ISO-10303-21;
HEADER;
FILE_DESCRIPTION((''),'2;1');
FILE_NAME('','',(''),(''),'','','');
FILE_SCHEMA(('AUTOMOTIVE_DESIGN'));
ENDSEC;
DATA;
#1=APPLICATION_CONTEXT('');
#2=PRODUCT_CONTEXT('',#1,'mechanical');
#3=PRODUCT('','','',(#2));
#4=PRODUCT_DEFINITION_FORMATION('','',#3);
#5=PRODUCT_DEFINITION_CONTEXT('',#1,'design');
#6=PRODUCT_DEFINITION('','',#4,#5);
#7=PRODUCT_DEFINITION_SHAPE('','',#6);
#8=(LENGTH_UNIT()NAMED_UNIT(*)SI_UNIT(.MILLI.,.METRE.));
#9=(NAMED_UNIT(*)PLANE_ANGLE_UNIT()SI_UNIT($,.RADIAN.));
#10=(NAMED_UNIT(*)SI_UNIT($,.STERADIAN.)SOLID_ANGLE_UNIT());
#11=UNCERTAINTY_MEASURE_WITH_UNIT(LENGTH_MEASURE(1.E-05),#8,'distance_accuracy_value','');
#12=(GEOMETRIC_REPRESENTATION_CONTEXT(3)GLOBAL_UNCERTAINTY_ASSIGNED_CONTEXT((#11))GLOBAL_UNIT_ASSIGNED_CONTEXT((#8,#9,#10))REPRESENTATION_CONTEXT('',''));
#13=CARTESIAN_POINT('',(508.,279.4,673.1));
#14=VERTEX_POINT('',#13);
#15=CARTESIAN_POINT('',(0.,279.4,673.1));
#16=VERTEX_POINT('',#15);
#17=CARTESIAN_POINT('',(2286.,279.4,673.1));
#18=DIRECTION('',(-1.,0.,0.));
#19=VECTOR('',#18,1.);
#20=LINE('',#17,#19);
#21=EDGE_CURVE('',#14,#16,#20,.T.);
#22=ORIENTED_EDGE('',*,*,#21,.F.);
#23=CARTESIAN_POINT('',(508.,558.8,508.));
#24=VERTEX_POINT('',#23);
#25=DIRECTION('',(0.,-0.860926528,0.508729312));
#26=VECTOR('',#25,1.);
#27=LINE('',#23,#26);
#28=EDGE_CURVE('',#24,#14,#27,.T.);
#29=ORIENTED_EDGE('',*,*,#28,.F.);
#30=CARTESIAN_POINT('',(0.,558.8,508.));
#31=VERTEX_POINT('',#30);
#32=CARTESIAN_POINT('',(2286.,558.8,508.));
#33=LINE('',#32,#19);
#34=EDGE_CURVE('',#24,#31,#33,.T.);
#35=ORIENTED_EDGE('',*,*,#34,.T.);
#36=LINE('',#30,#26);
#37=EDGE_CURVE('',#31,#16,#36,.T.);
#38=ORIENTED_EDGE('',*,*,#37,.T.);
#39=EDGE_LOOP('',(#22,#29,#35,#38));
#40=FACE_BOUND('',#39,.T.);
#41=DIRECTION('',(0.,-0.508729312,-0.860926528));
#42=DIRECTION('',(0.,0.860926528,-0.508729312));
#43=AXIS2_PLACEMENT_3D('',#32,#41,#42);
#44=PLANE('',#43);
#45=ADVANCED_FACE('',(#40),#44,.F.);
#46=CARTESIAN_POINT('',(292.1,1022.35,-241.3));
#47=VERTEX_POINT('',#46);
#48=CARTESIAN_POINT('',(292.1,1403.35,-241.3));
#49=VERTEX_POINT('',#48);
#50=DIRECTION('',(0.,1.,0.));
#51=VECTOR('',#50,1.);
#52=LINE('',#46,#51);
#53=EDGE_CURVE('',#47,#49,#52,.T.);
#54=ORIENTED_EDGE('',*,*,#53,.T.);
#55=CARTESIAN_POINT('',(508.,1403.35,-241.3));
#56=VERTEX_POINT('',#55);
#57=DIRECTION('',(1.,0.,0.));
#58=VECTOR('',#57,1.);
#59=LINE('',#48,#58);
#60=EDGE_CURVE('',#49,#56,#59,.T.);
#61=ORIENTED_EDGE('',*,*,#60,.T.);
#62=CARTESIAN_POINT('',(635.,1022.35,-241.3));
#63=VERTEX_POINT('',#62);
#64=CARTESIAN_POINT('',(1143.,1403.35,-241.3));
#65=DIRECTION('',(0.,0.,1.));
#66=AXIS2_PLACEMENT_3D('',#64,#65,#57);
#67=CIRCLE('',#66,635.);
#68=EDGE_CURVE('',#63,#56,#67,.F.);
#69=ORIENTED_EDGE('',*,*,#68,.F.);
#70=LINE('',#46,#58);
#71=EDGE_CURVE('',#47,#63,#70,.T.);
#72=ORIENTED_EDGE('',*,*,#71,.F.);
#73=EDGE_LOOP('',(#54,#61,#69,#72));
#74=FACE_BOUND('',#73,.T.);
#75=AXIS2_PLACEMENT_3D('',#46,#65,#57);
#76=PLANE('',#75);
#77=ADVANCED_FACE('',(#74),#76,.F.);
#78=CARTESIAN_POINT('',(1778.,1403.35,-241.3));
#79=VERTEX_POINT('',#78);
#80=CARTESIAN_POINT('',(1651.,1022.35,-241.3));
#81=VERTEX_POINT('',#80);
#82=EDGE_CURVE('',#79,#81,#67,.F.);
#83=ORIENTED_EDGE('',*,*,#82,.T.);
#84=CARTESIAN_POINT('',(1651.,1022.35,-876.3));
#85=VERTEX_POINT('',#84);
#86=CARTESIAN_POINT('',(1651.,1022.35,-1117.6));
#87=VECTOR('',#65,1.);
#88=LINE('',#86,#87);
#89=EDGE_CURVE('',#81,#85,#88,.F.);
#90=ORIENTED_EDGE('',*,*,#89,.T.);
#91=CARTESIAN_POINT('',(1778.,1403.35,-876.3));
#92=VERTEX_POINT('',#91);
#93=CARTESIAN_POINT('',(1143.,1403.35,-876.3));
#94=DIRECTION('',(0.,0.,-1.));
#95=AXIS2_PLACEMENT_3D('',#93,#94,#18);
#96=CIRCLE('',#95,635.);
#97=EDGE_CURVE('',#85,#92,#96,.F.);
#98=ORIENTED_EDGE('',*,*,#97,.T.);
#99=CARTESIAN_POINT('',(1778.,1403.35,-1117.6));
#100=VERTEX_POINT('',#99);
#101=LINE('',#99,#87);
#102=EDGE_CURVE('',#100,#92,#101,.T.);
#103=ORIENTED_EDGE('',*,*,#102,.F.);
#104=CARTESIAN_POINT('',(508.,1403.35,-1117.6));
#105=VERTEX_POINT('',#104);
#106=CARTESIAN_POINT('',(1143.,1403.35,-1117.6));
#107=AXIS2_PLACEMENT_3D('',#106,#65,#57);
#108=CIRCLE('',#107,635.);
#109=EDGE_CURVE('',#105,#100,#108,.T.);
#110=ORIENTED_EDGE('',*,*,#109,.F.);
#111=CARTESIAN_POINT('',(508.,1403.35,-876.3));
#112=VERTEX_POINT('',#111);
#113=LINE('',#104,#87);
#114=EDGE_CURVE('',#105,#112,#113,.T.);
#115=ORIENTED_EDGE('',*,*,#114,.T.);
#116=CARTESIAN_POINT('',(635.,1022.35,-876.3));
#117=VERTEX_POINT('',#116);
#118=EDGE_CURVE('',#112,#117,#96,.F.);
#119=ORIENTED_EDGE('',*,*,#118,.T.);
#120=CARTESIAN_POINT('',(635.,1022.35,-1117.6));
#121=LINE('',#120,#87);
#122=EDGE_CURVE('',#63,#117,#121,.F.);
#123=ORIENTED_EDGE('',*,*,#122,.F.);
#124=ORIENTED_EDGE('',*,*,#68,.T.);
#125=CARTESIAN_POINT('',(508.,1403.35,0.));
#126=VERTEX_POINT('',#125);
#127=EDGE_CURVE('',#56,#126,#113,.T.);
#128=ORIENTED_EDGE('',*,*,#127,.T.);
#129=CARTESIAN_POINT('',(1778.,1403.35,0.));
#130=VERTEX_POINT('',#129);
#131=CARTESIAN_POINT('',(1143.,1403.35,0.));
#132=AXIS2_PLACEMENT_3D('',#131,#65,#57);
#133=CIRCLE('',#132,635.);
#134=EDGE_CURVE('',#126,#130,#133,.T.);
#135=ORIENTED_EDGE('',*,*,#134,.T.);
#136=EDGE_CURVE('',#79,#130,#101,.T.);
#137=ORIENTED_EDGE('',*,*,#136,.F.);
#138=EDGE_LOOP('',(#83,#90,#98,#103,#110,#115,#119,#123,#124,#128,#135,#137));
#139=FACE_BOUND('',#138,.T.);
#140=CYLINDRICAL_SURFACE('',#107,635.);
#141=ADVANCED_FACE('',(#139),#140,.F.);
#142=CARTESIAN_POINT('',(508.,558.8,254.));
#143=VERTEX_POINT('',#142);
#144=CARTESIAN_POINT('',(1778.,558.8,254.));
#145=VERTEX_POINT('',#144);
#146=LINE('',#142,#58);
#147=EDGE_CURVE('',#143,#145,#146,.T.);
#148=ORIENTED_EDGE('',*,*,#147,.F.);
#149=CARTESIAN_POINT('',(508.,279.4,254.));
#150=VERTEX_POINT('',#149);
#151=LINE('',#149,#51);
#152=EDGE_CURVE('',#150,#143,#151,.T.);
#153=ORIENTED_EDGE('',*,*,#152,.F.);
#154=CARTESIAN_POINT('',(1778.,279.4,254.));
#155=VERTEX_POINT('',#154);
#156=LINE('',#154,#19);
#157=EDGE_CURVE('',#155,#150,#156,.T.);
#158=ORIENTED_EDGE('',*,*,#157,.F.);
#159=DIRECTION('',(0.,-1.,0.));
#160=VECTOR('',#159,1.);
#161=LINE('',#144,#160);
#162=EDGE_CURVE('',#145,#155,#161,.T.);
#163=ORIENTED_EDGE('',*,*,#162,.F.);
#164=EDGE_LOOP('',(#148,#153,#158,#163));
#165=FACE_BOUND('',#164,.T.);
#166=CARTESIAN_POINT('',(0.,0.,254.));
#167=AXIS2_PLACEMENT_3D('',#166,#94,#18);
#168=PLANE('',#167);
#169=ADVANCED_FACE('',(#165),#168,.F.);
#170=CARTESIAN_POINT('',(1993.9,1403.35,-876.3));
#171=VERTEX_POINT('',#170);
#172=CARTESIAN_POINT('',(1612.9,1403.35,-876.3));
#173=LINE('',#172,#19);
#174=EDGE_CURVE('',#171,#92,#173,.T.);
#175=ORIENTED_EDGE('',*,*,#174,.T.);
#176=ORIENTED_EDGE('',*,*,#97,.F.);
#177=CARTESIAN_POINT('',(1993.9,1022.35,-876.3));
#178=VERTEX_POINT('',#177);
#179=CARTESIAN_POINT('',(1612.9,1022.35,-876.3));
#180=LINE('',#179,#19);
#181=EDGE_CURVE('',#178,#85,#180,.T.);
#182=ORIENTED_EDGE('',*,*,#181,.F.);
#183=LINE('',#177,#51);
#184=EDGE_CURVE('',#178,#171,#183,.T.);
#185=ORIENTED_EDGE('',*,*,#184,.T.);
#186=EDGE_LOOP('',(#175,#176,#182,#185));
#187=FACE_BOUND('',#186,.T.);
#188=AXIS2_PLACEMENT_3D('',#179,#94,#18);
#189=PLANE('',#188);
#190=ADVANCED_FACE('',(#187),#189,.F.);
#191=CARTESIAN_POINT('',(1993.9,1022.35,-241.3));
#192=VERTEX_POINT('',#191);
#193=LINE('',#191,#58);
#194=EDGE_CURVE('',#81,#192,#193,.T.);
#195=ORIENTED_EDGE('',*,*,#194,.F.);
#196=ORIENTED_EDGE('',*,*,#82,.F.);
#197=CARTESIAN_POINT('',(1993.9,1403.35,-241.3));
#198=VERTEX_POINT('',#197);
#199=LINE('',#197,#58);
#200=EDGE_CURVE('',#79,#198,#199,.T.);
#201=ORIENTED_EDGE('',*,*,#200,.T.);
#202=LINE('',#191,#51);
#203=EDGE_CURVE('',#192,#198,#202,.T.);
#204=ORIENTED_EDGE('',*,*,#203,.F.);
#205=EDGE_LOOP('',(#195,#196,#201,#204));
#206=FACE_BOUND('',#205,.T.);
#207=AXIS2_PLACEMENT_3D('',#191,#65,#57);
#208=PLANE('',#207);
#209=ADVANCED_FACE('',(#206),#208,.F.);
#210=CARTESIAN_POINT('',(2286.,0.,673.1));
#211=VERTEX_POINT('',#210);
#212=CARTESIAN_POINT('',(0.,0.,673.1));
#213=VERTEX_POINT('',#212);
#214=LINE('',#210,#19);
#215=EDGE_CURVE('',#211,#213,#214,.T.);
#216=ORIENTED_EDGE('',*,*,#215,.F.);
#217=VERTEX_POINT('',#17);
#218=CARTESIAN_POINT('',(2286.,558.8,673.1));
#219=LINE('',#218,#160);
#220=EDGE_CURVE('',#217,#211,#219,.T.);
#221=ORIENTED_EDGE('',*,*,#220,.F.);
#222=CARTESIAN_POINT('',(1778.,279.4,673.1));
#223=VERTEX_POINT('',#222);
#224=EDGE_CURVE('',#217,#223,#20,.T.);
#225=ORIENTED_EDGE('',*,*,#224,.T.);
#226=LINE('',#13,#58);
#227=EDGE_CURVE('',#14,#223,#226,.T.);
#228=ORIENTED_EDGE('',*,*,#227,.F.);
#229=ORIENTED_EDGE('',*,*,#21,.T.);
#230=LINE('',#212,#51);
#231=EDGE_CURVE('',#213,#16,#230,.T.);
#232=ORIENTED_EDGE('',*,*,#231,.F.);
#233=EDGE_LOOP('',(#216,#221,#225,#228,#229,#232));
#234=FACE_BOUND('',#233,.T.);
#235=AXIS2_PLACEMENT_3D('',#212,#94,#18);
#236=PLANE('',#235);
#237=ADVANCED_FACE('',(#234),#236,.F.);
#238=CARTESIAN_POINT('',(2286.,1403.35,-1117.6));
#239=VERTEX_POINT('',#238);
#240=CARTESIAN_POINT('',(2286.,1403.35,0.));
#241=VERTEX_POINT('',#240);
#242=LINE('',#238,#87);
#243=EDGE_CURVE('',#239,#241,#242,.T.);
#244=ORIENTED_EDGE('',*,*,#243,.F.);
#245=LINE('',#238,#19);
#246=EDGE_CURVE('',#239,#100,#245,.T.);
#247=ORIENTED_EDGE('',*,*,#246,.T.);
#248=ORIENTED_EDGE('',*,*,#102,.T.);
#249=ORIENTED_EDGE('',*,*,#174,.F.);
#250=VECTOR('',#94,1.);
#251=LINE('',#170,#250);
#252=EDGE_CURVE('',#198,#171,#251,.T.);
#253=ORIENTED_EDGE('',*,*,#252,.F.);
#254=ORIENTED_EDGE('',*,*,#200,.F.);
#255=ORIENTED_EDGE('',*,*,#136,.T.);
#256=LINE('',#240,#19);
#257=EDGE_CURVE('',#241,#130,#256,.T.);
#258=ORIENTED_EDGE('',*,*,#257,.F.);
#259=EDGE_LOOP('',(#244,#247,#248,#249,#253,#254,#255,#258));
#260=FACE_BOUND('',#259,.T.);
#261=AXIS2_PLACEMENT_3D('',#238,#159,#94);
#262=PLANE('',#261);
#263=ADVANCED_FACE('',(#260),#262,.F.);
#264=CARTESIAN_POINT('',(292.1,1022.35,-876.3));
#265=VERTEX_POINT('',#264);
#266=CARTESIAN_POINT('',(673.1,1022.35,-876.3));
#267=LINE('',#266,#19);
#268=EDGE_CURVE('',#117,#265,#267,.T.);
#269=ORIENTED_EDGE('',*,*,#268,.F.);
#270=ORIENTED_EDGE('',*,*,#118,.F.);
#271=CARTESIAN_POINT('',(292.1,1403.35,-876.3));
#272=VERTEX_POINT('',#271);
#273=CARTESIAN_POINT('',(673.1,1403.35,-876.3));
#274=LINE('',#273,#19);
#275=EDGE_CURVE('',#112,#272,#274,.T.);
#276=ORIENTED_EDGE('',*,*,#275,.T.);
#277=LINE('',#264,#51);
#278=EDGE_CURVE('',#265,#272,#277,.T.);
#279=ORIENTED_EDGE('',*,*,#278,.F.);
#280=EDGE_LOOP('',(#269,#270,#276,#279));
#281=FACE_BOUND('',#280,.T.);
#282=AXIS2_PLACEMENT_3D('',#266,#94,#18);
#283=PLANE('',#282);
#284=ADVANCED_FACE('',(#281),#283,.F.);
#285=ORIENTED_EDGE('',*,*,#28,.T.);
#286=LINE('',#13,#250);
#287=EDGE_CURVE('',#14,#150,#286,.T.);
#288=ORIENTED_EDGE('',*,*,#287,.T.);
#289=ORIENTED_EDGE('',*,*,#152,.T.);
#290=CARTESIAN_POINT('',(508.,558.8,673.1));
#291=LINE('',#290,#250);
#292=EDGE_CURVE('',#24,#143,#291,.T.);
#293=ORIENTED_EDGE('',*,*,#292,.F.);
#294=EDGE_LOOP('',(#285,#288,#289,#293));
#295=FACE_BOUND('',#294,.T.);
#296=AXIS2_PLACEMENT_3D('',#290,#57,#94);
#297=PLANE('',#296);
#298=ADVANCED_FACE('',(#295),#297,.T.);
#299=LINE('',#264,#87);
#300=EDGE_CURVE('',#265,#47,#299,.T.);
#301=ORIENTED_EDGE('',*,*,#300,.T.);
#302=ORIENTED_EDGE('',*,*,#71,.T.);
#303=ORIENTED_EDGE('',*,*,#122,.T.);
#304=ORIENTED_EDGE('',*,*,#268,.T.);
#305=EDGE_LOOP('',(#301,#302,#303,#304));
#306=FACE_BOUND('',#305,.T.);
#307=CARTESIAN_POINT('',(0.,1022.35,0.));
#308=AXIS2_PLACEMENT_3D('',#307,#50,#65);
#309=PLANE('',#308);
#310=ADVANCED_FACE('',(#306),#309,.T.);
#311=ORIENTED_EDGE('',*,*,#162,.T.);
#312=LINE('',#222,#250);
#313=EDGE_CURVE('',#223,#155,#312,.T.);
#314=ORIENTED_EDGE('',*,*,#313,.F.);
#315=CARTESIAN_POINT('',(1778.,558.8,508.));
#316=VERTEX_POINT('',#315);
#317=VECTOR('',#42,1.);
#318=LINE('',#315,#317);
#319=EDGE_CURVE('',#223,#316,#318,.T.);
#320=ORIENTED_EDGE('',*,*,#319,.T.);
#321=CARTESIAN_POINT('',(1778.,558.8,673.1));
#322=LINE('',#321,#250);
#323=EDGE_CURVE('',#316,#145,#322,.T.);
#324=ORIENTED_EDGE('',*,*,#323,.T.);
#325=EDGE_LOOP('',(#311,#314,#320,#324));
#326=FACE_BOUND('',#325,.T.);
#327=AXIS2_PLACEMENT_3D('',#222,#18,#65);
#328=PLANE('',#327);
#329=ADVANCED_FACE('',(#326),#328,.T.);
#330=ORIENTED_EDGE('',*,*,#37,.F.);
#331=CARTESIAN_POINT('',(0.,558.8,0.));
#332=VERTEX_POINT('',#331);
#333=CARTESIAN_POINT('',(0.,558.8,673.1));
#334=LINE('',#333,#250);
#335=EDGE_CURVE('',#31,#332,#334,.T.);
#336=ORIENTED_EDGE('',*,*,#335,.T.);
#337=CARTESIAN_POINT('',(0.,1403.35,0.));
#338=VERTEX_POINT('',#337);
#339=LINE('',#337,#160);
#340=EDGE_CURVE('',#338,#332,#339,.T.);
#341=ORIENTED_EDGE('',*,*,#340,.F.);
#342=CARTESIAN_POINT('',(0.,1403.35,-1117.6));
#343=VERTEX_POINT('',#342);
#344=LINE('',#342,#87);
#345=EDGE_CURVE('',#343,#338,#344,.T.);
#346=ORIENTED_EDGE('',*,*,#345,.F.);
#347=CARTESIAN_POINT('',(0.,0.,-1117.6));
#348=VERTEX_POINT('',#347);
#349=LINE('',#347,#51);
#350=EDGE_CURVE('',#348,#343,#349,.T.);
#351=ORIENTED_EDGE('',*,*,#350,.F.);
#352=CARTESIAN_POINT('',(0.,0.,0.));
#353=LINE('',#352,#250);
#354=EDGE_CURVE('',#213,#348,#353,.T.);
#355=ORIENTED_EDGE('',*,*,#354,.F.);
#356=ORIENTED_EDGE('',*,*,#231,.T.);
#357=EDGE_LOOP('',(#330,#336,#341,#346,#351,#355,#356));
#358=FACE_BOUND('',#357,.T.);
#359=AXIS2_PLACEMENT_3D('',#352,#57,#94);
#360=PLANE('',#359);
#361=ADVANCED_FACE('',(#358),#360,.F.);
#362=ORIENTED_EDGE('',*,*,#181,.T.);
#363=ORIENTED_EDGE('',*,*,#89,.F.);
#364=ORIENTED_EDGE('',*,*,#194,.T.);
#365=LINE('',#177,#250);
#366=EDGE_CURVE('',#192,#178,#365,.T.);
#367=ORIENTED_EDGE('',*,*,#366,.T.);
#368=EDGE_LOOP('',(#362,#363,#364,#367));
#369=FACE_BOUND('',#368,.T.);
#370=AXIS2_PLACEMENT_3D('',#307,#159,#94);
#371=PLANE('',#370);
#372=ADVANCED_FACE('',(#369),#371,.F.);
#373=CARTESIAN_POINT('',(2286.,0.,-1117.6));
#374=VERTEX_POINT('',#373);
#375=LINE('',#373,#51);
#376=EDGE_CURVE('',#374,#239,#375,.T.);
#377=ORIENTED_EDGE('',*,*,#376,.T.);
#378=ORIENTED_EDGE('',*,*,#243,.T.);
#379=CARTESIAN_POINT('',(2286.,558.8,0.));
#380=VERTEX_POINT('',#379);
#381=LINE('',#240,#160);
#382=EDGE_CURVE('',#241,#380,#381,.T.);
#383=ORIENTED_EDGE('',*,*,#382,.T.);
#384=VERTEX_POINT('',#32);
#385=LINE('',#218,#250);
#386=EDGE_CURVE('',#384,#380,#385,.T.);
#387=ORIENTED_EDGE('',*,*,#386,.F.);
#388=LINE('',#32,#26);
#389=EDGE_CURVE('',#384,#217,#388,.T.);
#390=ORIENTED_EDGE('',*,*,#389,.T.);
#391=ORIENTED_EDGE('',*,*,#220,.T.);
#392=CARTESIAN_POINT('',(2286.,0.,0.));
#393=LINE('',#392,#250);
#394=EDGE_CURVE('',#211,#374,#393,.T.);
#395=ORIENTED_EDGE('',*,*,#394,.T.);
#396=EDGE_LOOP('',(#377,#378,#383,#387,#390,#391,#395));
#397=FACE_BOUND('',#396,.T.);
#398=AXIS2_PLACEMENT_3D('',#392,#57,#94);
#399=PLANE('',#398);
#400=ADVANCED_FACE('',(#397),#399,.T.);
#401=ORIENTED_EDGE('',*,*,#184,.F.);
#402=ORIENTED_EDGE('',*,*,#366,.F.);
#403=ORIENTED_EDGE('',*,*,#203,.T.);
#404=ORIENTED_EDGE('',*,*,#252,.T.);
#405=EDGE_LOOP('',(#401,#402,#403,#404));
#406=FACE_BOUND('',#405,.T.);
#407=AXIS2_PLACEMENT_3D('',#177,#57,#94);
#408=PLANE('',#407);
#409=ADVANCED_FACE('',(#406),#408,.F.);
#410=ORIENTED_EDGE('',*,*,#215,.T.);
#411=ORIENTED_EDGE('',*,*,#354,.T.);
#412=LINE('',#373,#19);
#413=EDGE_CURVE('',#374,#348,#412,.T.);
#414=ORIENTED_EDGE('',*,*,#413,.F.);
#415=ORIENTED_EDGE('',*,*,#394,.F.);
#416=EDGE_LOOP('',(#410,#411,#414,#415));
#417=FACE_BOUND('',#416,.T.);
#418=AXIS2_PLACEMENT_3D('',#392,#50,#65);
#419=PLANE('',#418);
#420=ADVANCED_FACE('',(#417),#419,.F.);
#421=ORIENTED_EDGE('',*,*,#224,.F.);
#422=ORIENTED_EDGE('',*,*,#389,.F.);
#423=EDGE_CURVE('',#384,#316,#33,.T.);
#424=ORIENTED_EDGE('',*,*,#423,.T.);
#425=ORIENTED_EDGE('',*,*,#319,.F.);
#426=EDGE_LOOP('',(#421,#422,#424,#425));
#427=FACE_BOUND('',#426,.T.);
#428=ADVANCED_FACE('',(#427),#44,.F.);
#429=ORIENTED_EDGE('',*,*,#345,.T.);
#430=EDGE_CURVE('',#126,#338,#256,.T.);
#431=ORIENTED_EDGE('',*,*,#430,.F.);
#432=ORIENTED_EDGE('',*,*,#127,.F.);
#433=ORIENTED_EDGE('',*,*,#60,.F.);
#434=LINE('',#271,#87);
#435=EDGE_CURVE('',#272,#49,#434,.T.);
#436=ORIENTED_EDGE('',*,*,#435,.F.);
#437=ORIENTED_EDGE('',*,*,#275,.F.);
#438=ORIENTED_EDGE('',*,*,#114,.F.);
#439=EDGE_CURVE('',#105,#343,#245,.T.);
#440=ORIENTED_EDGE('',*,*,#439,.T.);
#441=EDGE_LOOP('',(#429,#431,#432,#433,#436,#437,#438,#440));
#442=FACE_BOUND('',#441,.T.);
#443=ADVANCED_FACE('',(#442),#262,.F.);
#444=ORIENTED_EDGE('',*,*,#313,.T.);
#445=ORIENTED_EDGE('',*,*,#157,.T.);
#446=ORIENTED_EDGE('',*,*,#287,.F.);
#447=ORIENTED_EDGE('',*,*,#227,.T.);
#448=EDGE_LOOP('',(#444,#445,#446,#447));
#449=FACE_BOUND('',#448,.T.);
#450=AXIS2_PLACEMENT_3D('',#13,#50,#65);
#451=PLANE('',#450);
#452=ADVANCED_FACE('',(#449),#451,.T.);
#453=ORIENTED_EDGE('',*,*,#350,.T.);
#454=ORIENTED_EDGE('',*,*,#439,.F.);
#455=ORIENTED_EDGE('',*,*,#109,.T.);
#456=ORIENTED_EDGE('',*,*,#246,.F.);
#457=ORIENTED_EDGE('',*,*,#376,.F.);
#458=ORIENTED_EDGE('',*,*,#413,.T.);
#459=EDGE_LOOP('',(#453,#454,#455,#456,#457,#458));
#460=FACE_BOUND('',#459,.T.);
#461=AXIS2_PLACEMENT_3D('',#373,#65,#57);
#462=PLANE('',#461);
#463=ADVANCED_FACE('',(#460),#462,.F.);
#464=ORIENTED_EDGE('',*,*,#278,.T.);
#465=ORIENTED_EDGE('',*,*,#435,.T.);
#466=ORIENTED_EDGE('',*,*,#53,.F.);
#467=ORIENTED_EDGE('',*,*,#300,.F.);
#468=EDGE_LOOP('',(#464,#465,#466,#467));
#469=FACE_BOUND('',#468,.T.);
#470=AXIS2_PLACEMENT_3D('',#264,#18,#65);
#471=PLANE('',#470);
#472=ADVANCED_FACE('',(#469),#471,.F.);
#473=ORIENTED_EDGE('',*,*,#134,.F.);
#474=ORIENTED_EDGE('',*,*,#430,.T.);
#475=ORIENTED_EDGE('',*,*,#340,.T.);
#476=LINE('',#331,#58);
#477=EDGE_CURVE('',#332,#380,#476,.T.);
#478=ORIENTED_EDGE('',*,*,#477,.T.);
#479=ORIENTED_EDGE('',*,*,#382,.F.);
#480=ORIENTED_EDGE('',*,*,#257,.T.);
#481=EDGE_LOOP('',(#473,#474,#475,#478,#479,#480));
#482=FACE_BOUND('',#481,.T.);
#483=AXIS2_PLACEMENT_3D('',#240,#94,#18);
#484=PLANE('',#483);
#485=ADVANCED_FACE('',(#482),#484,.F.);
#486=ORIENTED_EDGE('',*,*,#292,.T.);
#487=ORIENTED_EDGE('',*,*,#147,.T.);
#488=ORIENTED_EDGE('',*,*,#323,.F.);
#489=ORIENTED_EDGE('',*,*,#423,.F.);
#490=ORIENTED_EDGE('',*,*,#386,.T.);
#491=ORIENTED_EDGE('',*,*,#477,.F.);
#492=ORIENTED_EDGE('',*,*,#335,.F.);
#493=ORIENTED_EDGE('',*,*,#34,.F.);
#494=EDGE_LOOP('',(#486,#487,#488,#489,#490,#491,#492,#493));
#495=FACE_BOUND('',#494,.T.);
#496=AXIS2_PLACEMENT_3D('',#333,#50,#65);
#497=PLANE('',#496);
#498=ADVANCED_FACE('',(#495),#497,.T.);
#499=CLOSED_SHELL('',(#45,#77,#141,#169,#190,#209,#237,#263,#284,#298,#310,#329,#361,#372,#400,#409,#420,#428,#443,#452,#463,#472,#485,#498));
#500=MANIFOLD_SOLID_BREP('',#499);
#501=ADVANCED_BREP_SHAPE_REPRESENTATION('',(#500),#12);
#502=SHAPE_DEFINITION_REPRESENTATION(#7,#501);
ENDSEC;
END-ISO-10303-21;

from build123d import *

# Parameters (mm, degrees)
SKETCH1_W           = 1117.6
SKETCH1_H           = 1403.35
BOSS_EXTRUDE1_DEPTH = 2286
SKETCH2_W           = 2286
SKETCH2_H           = 558.8
BOSS_EXTRUDE2_DEPTH = 673.1
CUT_EXTRUDE1_DEPTH  = 2286
SKETCH7_W           = 1270
SKETCH7_H           = 279.4
CUT_EXTRUDE2_DEPTH  = 673.1
SKETCH8_W           = 1270
SKETCH8_H           = 279.4
BOSS_EXTRUDE3_DEPTH = 254
CUT_EXTRUDE3_DEPTH  = 1117.6
SKETCH10_W          = 381
SKETCH10_H          = 635
CUT_EXTRUDE4_DEPTH  = 381


with BuildPart() as part:
    # Sketch1 → Boss-Extrude1 (new body)
    with BuildSketch(Plane(origin=(0, 0, 0), x_dir=(0, 0, -1), z_dir=(1, 0, 0))):
        with Locations((558.8, 701.675)):
            Rectangle(SKETCH1_W, SKETCH1_H)
    extrude(amount=BOSS_EXTRUDE1_DEPTH)

    # Sketch2 → Boss-Extrude2 (add)
    with BuildSketch(Plane.XY):
        with Locations((1143, 279.4)):
            Rectangle(SKETCH2_W, SKETCH2_H)
    extrude(amount=BOSS_EXTRUDE2_DEPTH)

    # Sketch3 → Cut-Extrude1 (cut)
    with BuildSketch(Plane.ZY):
        Polygon((508, 558.8), (673.1, 279.4), (673.1, 558.8), align=None)
    extrude(amount=-CUT_EXTRUDE1_DEPTH, mode=Mode.SUBTRACT)

    # Sketch7 → Cut-Extrude2 (cut)
    with BuildSketch(Plane.XY):
        with Locations((1143, 419.1)):
            Rectangle(SKETCH7_W, SKETCH7_H)
    extrude(amount=CUT_EXTRUDE2_DEPTH, mode=Mode.SUBTRACT)

    # Sketch8 → Boss-Extrude3 (add)
    with BuildSketch(Plane.XY):
        with Locations((1143, 419.1)):
            Rectangle(SKETCH8_W, SKETCH8_H)
    extrude(amount=BOSS_EXTRUDE3_DEPTH)

    # Sketch9 → Cut-Extrude3 (cut)
    with BuildSketch(Plane.XY):
        with BuildLine():
            Line((508, 1403.35), (1778, 1403.35))
            ThreePointArc((1778, 1403.35), (1143, 768.35), (508, 1403.35))
        make_face()
    extrude(amount=-CUT_EXTRUDE3_DEPTH, mode=Mode.SUBTRACT)

    # Sketch10 → Cut-Extrude4 (cut)
    with BuildSketch(Plane(origin=(0, 1403.35, 0), x_dir=(1, 0, 0), z_dir=(0, 1, 0))):
        with Locations((482.6, 558.8)):
            Rectangle(SKETCH10_W, SKETCH10_H)
        with Locations((1803.4, 558.8)):
            Rectangle(SKETCH10_W, SKETCH10_H)
    extrude(amount=-CUT_EXTRUDE4_DEPTH, mode=Mode.SUBTRACT)


solid = part.part
